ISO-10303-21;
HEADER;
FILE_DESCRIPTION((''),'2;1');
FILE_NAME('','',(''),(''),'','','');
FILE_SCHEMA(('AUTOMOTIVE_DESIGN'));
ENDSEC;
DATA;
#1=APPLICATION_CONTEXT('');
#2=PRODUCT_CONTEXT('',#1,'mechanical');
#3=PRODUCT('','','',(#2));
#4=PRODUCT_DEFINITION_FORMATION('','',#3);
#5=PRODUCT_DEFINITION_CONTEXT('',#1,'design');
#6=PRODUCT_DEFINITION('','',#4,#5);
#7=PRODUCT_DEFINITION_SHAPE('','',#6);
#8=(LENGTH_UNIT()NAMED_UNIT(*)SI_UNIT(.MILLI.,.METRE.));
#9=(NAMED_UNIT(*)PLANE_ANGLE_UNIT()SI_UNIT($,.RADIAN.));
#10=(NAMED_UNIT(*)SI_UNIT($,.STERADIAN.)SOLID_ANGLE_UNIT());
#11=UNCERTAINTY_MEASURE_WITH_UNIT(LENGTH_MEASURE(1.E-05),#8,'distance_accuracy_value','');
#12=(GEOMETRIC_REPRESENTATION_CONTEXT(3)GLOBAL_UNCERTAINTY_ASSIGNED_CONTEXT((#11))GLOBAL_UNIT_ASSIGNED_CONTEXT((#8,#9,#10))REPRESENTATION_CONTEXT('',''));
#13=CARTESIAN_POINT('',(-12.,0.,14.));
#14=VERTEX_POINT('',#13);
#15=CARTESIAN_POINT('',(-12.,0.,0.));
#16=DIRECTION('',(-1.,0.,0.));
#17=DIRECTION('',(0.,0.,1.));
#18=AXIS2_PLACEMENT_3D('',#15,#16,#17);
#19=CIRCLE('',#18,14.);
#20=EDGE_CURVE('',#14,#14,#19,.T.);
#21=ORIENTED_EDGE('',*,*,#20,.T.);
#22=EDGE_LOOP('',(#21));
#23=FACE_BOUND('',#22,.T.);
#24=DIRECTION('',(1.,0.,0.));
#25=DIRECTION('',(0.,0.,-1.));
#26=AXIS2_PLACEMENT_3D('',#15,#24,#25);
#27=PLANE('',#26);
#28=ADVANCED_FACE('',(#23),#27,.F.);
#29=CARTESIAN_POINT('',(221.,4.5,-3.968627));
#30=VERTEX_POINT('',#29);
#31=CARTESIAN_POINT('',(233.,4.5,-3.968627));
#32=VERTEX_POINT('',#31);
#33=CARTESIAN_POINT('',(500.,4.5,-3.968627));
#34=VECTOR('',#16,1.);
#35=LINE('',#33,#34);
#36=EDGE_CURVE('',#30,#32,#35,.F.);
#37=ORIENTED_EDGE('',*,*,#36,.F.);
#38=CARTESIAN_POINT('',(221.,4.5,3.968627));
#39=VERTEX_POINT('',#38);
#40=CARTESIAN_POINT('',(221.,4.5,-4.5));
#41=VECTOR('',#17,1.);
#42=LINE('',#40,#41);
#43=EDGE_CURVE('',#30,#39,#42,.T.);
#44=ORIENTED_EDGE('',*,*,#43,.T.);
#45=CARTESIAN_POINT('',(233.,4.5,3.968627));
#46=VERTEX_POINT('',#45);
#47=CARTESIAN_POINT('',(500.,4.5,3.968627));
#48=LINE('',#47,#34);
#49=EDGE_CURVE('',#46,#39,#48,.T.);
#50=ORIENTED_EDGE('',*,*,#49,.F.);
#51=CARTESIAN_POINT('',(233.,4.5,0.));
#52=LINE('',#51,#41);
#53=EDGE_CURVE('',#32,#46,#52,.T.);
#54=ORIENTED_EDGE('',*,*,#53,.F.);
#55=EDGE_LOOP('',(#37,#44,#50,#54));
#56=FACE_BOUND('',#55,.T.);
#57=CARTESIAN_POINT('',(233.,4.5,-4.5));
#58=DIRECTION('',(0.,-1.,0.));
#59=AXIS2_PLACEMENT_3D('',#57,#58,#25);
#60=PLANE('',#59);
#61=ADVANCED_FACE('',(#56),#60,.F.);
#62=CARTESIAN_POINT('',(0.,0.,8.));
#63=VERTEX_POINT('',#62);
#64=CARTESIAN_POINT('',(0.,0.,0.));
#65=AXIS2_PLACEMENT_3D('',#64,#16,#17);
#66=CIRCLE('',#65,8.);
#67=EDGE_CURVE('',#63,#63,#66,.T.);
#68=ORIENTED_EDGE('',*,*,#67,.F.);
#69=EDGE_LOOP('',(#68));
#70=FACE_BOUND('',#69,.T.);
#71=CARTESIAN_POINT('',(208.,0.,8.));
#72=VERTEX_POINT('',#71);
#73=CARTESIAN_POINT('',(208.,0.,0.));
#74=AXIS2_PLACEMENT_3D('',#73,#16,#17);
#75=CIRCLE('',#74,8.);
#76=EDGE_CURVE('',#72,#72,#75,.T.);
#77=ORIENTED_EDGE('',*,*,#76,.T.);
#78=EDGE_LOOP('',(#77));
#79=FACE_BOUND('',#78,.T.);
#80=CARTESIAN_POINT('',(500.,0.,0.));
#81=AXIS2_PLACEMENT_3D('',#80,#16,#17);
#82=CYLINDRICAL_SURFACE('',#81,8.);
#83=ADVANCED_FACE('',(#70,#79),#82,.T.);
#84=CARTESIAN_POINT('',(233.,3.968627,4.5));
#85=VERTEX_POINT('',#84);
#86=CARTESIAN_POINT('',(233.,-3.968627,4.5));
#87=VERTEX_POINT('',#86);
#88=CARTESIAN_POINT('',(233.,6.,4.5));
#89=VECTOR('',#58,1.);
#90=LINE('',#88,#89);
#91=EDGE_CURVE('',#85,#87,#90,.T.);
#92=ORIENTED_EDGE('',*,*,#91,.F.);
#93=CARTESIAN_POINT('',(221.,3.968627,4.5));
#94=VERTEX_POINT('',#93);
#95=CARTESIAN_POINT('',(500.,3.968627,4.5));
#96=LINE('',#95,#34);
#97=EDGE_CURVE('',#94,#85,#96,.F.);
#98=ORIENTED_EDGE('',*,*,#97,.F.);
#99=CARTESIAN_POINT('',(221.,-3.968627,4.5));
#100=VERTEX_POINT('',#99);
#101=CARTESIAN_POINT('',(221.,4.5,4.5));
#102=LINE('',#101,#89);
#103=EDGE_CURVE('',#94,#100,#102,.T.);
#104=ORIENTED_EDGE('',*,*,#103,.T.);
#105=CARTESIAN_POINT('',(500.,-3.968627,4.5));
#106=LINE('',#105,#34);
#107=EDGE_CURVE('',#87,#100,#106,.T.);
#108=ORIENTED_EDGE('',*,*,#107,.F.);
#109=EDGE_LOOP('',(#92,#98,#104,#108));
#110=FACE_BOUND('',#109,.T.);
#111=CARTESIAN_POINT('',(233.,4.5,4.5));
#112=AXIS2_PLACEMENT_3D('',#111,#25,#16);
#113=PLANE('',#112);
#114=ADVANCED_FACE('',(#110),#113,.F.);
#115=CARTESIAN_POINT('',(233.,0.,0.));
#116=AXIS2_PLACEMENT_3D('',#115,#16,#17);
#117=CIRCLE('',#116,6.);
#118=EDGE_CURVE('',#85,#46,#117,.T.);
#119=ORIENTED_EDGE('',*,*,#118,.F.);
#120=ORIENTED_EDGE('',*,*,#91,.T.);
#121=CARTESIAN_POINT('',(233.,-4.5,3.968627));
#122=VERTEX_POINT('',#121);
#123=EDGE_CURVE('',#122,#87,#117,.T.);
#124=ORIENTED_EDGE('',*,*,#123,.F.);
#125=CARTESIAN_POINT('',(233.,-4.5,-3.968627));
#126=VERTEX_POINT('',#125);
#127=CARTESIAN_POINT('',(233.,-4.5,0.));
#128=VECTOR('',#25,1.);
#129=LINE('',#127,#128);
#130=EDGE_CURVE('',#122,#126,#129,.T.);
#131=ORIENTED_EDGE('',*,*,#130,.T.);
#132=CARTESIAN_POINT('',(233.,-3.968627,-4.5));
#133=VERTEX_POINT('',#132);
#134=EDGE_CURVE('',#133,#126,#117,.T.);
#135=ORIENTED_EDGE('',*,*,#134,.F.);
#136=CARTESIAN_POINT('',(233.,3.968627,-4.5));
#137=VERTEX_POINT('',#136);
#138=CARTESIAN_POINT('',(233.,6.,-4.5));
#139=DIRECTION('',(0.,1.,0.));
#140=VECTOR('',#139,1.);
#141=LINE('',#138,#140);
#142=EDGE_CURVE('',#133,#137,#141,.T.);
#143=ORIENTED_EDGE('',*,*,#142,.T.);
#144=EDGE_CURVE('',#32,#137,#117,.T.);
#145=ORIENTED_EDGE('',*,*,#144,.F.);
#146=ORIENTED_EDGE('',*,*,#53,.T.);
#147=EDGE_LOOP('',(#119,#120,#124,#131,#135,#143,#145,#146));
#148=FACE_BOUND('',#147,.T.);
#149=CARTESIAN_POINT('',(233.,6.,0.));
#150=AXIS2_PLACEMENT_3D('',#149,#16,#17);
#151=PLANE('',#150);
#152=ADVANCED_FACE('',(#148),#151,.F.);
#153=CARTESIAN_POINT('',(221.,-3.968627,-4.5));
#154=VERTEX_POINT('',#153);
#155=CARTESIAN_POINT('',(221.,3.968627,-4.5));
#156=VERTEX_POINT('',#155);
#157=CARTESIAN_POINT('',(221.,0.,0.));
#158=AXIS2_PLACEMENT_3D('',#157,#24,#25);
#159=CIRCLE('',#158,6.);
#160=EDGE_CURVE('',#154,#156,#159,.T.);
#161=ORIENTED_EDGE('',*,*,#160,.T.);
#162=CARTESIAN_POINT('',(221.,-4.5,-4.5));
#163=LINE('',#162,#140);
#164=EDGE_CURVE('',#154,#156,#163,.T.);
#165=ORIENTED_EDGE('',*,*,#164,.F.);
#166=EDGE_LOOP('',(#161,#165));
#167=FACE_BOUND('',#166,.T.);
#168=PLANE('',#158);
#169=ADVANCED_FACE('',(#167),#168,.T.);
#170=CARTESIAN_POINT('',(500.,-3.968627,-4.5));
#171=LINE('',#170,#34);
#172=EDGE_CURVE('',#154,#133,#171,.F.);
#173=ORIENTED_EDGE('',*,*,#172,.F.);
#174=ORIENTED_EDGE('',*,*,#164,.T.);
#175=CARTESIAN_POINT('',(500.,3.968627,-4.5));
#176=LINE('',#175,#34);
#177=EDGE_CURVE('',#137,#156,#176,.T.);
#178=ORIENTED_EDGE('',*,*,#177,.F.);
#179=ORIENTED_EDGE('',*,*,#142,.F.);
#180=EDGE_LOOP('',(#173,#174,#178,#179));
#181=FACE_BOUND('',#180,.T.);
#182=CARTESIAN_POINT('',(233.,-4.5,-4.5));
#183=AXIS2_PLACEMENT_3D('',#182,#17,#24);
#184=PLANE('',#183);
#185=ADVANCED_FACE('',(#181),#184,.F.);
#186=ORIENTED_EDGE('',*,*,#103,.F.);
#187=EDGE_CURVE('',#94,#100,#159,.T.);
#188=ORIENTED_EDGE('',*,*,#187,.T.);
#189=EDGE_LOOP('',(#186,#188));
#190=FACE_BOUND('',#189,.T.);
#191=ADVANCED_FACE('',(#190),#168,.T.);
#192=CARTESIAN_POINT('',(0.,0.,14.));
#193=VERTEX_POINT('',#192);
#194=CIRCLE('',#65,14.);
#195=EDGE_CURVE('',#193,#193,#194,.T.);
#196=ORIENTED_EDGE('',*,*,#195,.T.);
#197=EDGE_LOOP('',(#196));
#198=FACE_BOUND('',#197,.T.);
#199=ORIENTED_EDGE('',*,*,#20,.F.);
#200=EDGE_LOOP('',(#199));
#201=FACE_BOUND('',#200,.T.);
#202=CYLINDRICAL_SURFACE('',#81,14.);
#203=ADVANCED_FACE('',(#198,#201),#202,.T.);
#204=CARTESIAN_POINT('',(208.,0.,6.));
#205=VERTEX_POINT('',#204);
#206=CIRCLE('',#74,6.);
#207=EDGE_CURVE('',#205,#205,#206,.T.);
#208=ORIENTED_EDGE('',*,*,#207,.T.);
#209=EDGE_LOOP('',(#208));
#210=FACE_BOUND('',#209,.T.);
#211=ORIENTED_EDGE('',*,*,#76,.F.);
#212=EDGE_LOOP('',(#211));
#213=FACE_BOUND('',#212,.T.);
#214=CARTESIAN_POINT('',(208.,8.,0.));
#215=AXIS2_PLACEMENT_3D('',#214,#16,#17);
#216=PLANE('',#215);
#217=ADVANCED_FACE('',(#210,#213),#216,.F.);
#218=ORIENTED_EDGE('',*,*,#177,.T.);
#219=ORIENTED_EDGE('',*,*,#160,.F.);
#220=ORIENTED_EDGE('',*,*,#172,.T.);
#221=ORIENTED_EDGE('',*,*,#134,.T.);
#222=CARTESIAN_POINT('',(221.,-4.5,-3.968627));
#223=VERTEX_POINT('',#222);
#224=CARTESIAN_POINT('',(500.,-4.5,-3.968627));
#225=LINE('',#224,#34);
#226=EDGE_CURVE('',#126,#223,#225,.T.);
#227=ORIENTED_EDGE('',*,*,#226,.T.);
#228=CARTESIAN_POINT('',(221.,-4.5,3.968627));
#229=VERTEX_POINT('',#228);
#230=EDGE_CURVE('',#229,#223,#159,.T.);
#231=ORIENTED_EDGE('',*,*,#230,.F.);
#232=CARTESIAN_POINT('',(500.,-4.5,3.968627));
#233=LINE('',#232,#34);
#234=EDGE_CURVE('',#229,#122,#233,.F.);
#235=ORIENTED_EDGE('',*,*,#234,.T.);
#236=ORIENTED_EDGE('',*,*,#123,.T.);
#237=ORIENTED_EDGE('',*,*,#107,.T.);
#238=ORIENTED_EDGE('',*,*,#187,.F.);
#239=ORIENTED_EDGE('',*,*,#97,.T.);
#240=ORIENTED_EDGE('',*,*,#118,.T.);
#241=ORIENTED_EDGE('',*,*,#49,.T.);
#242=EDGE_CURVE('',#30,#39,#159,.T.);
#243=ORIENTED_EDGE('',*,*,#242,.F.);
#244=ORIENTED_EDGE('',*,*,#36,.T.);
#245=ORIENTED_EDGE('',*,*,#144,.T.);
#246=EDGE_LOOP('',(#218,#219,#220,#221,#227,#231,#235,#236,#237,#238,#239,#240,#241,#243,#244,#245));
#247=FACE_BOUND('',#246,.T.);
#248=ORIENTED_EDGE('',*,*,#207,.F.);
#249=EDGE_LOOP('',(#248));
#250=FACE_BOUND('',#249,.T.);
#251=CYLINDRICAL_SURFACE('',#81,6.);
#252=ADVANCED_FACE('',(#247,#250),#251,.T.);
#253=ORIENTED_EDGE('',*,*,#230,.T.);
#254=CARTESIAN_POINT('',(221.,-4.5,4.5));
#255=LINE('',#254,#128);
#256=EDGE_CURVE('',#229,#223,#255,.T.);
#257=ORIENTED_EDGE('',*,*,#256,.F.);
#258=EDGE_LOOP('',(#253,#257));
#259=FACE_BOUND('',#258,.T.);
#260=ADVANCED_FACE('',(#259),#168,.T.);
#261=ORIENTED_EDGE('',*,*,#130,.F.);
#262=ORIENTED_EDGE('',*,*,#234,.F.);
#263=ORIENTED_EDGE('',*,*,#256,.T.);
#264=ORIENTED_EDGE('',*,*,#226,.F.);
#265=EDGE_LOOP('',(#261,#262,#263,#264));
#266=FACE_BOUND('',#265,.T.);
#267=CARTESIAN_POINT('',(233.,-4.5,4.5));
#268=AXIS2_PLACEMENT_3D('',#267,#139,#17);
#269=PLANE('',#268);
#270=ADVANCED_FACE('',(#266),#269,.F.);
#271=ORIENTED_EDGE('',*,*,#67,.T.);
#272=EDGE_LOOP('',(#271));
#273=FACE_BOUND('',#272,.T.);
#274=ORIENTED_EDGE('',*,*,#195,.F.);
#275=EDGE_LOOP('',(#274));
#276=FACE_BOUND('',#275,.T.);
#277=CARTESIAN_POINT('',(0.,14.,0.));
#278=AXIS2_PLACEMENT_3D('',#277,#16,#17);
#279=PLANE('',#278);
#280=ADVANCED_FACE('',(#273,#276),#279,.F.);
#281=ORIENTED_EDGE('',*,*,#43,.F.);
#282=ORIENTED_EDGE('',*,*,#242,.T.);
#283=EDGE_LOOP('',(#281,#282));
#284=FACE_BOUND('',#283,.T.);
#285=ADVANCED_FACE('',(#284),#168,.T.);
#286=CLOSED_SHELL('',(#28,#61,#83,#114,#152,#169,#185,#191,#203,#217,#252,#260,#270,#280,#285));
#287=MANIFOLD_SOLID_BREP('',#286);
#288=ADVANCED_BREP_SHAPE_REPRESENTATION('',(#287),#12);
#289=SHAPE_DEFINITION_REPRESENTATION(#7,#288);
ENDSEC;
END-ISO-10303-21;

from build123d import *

# Parameters (mm, degrees)
SKETCH2_R          = 9
SKETCH2_W          = 9
SKETCH2_H          = 9
CUT_EXTRUDE1_DEPTH = 12


with BuildPart() as part:
    # Sketch1 → Revolve1 (revolve)
    with BuildSketch(Plane.XY, mode=Mode.PRIVATE) as revolve1_sk:
        Polygon((-12, 0), (-12, 14), (0, 14), (0, 8), (208, 8), (208, 6), (233, 6), (233, 0), align=None)
    revolve(revolve1_sk.sketch.rotate(Axis((500, 0, 0), (-1, 0, 0)), 270), axis=Axis((500, 0, 0), (-1, 0, 0)))

    # Sketch2 → Cut-Extrude1 (cut)
    with BuildSketch(Plane(origin=(221, 0, 0), x_dir=(0, 0, -1), z_dir=(1, 0, 0))):
        Circle(SKETCH2_R)
        Rectangle(SKETCH2_W, SKETCH2_H, mode=Mode.SUBTRACT)
    extrude(amount=CUT_EXTRUDE1_DEPTH, mode=Mode.SUBTRACT)


solid = part.part
